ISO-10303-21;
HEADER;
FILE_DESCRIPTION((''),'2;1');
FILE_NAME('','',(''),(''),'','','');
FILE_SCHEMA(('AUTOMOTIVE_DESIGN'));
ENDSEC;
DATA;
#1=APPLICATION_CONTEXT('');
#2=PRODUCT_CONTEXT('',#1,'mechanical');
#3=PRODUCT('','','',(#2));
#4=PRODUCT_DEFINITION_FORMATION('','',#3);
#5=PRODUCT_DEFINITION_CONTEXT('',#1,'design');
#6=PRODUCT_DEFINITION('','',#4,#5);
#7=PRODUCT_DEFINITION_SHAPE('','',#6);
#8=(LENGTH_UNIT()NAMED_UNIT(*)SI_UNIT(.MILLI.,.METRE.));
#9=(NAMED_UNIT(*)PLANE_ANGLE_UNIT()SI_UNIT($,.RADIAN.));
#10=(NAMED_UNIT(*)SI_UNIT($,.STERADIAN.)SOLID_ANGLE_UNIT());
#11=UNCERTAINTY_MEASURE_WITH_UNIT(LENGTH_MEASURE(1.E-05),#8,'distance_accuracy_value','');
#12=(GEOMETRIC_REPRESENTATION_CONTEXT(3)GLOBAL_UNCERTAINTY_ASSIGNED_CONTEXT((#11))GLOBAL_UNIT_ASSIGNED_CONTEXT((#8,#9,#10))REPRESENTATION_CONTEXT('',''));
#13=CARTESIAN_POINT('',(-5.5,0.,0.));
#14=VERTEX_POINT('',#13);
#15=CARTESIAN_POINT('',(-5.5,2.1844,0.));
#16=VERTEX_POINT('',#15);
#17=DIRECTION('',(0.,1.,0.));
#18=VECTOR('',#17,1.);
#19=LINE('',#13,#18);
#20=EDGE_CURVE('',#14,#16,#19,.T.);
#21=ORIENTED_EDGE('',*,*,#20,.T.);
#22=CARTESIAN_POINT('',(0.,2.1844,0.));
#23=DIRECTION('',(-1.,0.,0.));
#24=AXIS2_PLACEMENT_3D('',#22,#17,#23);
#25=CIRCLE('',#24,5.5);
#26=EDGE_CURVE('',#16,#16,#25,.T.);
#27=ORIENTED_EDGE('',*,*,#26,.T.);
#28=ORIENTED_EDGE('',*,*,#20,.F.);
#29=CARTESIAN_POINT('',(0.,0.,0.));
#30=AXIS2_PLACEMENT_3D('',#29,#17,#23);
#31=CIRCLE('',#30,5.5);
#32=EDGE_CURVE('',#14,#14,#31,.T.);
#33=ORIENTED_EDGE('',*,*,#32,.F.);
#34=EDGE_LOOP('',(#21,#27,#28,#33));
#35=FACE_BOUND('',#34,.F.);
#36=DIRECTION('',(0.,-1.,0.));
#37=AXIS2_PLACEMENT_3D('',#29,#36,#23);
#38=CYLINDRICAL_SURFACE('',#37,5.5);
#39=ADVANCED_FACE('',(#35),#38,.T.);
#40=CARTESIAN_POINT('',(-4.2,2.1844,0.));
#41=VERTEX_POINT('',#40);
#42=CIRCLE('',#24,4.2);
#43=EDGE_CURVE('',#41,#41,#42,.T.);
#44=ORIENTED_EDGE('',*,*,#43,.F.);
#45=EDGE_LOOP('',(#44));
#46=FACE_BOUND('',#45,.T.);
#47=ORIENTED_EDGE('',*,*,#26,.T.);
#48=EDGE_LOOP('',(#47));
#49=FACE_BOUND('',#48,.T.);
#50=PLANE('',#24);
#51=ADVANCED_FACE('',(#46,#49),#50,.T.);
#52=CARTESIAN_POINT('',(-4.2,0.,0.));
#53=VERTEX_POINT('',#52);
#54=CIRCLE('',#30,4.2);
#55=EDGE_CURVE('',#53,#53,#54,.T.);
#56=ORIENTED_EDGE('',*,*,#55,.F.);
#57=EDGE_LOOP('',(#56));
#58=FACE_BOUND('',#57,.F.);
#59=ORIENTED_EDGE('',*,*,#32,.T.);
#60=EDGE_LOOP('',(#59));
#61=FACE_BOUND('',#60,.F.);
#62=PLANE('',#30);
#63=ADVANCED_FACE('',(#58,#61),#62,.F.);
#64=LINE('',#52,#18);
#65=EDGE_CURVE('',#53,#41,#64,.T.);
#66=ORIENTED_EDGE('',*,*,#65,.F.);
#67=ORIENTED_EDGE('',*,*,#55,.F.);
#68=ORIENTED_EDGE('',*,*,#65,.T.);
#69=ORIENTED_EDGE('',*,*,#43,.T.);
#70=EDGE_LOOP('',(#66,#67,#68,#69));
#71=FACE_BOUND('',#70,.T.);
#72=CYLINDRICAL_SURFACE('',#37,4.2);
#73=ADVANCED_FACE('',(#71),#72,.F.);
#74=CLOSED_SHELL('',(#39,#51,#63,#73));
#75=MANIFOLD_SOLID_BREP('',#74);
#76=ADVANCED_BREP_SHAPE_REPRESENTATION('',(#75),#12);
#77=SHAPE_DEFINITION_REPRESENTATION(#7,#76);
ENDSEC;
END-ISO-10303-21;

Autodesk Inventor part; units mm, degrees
ref_plane "YZ Plane" through (0, 0, 0) normal (1, 0, 0) x (0, 1, 0)
ref_plane "XZ Plane" through (0, 0, 0) normal (0, 1, 0) x (-1, 0, 0)
ref_plane "XY Plane" through (0, 0, 0) normal (0, 0, 1) x (1, 0, 0)
sketch "Sketch1" plane through (0, 0, 0) normal (0, 1, 0) x (-1, 0, 0)
  circle A0 centre (0, 0) radius 4.2
  circle A1 centre (0, 0) radius 5.5
  dimension "d1" = 8.4
  dimension "d2" = 11
extrude "Extrusion1" add sketch "Sketch1" along normal blind 2.1844
properties part number "spacer for outside of wheel"
